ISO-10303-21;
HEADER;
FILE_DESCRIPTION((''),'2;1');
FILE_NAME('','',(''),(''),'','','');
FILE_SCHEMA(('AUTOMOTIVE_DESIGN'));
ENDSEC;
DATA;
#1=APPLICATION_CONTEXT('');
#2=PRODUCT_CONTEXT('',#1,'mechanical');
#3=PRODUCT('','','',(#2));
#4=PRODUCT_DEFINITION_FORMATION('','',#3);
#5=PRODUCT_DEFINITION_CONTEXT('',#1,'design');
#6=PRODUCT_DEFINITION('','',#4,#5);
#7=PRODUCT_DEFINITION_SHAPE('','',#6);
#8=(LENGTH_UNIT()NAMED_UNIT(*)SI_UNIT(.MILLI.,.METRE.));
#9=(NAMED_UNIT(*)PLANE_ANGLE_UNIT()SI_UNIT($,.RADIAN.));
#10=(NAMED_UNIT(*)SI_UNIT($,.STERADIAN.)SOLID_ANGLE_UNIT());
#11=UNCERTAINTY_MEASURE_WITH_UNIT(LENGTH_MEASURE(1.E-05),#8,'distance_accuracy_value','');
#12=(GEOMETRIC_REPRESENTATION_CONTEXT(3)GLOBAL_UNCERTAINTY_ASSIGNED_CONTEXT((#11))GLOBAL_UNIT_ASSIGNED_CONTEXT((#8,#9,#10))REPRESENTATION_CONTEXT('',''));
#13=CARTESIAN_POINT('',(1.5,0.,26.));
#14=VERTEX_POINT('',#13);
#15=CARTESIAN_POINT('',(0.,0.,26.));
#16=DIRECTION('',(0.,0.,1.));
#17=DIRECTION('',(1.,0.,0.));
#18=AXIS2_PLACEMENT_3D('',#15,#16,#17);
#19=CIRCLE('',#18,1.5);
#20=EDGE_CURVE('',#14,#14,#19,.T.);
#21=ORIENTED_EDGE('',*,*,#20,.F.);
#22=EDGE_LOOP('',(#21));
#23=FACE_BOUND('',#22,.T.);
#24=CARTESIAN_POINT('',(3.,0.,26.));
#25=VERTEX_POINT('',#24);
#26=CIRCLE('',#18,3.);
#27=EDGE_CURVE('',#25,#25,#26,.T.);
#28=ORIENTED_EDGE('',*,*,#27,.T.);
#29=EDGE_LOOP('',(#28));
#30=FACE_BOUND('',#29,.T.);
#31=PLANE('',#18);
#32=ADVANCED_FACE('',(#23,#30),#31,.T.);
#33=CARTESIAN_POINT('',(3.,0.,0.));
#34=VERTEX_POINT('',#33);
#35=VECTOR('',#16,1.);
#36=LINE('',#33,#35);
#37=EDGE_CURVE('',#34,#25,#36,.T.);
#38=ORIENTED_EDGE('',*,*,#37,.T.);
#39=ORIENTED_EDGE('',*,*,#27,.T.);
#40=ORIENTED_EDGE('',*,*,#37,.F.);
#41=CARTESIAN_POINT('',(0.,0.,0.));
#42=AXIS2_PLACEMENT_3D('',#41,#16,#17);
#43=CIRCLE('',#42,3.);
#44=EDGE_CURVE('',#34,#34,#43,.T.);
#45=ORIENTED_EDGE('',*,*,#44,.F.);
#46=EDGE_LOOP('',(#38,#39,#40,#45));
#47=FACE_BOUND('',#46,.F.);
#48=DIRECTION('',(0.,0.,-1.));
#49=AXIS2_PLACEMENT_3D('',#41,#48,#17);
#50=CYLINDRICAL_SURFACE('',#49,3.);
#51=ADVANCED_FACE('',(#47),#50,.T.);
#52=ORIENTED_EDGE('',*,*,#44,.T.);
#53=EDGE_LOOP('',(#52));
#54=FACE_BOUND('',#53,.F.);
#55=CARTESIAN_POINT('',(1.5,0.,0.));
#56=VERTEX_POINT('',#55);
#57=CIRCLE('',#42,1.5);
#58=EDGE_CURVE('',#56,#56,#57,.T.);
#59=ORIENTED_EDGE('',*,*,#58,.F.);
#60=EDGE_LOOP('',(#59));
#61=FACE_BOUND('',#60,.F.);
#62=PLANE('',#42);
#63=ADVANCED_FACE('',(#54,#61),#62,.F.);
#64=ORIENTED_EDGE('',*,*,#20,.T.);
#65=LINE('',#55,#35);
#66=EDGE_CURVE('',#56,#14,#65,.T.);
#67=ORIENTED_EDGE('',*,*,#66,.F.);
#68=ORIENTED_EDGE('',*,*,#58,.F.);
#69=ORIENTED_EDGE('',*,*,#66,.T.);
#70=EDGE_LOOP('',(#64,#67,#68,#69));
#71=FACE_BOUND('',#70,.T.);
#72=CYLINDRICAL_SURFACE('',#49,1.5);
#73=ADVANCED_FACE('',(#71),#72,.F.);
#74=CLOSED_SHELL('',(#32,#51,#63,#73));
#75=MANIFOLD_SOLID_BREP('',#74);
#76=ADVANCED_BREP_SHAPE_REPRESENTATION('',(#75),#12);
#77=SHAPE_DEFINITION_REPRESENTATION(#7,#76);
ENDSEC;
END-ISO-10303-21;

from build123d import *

# Parameters (mm, degrees)
CYLINDER001_R     = 1.5
CYLINDER001_DEPTH = 26
CYLINDER_R        = 3
CYLINDER_DEPTH    = 26


with BuildPart() as cylinder:
    # Cylinder001 → Cylinder001 (new body)
    with BuildSketch(Plane.XY):
        Circle(CYLINDER001_R)
    extrude(amount=CYLINDER001_DEPTH)


with BuildPart() as stand25:
    # Cylinder → Cylinder (new body)
    with BuildSketch(Plane.XY):
        Circle(CYLINDER_R)
    extrude(amount=CYLINDER_DEPTH)

    # Cut: cut Cylinder
    add(cylinder.part, mode=Mode.SUBTRACT)


solid = stand25.part
